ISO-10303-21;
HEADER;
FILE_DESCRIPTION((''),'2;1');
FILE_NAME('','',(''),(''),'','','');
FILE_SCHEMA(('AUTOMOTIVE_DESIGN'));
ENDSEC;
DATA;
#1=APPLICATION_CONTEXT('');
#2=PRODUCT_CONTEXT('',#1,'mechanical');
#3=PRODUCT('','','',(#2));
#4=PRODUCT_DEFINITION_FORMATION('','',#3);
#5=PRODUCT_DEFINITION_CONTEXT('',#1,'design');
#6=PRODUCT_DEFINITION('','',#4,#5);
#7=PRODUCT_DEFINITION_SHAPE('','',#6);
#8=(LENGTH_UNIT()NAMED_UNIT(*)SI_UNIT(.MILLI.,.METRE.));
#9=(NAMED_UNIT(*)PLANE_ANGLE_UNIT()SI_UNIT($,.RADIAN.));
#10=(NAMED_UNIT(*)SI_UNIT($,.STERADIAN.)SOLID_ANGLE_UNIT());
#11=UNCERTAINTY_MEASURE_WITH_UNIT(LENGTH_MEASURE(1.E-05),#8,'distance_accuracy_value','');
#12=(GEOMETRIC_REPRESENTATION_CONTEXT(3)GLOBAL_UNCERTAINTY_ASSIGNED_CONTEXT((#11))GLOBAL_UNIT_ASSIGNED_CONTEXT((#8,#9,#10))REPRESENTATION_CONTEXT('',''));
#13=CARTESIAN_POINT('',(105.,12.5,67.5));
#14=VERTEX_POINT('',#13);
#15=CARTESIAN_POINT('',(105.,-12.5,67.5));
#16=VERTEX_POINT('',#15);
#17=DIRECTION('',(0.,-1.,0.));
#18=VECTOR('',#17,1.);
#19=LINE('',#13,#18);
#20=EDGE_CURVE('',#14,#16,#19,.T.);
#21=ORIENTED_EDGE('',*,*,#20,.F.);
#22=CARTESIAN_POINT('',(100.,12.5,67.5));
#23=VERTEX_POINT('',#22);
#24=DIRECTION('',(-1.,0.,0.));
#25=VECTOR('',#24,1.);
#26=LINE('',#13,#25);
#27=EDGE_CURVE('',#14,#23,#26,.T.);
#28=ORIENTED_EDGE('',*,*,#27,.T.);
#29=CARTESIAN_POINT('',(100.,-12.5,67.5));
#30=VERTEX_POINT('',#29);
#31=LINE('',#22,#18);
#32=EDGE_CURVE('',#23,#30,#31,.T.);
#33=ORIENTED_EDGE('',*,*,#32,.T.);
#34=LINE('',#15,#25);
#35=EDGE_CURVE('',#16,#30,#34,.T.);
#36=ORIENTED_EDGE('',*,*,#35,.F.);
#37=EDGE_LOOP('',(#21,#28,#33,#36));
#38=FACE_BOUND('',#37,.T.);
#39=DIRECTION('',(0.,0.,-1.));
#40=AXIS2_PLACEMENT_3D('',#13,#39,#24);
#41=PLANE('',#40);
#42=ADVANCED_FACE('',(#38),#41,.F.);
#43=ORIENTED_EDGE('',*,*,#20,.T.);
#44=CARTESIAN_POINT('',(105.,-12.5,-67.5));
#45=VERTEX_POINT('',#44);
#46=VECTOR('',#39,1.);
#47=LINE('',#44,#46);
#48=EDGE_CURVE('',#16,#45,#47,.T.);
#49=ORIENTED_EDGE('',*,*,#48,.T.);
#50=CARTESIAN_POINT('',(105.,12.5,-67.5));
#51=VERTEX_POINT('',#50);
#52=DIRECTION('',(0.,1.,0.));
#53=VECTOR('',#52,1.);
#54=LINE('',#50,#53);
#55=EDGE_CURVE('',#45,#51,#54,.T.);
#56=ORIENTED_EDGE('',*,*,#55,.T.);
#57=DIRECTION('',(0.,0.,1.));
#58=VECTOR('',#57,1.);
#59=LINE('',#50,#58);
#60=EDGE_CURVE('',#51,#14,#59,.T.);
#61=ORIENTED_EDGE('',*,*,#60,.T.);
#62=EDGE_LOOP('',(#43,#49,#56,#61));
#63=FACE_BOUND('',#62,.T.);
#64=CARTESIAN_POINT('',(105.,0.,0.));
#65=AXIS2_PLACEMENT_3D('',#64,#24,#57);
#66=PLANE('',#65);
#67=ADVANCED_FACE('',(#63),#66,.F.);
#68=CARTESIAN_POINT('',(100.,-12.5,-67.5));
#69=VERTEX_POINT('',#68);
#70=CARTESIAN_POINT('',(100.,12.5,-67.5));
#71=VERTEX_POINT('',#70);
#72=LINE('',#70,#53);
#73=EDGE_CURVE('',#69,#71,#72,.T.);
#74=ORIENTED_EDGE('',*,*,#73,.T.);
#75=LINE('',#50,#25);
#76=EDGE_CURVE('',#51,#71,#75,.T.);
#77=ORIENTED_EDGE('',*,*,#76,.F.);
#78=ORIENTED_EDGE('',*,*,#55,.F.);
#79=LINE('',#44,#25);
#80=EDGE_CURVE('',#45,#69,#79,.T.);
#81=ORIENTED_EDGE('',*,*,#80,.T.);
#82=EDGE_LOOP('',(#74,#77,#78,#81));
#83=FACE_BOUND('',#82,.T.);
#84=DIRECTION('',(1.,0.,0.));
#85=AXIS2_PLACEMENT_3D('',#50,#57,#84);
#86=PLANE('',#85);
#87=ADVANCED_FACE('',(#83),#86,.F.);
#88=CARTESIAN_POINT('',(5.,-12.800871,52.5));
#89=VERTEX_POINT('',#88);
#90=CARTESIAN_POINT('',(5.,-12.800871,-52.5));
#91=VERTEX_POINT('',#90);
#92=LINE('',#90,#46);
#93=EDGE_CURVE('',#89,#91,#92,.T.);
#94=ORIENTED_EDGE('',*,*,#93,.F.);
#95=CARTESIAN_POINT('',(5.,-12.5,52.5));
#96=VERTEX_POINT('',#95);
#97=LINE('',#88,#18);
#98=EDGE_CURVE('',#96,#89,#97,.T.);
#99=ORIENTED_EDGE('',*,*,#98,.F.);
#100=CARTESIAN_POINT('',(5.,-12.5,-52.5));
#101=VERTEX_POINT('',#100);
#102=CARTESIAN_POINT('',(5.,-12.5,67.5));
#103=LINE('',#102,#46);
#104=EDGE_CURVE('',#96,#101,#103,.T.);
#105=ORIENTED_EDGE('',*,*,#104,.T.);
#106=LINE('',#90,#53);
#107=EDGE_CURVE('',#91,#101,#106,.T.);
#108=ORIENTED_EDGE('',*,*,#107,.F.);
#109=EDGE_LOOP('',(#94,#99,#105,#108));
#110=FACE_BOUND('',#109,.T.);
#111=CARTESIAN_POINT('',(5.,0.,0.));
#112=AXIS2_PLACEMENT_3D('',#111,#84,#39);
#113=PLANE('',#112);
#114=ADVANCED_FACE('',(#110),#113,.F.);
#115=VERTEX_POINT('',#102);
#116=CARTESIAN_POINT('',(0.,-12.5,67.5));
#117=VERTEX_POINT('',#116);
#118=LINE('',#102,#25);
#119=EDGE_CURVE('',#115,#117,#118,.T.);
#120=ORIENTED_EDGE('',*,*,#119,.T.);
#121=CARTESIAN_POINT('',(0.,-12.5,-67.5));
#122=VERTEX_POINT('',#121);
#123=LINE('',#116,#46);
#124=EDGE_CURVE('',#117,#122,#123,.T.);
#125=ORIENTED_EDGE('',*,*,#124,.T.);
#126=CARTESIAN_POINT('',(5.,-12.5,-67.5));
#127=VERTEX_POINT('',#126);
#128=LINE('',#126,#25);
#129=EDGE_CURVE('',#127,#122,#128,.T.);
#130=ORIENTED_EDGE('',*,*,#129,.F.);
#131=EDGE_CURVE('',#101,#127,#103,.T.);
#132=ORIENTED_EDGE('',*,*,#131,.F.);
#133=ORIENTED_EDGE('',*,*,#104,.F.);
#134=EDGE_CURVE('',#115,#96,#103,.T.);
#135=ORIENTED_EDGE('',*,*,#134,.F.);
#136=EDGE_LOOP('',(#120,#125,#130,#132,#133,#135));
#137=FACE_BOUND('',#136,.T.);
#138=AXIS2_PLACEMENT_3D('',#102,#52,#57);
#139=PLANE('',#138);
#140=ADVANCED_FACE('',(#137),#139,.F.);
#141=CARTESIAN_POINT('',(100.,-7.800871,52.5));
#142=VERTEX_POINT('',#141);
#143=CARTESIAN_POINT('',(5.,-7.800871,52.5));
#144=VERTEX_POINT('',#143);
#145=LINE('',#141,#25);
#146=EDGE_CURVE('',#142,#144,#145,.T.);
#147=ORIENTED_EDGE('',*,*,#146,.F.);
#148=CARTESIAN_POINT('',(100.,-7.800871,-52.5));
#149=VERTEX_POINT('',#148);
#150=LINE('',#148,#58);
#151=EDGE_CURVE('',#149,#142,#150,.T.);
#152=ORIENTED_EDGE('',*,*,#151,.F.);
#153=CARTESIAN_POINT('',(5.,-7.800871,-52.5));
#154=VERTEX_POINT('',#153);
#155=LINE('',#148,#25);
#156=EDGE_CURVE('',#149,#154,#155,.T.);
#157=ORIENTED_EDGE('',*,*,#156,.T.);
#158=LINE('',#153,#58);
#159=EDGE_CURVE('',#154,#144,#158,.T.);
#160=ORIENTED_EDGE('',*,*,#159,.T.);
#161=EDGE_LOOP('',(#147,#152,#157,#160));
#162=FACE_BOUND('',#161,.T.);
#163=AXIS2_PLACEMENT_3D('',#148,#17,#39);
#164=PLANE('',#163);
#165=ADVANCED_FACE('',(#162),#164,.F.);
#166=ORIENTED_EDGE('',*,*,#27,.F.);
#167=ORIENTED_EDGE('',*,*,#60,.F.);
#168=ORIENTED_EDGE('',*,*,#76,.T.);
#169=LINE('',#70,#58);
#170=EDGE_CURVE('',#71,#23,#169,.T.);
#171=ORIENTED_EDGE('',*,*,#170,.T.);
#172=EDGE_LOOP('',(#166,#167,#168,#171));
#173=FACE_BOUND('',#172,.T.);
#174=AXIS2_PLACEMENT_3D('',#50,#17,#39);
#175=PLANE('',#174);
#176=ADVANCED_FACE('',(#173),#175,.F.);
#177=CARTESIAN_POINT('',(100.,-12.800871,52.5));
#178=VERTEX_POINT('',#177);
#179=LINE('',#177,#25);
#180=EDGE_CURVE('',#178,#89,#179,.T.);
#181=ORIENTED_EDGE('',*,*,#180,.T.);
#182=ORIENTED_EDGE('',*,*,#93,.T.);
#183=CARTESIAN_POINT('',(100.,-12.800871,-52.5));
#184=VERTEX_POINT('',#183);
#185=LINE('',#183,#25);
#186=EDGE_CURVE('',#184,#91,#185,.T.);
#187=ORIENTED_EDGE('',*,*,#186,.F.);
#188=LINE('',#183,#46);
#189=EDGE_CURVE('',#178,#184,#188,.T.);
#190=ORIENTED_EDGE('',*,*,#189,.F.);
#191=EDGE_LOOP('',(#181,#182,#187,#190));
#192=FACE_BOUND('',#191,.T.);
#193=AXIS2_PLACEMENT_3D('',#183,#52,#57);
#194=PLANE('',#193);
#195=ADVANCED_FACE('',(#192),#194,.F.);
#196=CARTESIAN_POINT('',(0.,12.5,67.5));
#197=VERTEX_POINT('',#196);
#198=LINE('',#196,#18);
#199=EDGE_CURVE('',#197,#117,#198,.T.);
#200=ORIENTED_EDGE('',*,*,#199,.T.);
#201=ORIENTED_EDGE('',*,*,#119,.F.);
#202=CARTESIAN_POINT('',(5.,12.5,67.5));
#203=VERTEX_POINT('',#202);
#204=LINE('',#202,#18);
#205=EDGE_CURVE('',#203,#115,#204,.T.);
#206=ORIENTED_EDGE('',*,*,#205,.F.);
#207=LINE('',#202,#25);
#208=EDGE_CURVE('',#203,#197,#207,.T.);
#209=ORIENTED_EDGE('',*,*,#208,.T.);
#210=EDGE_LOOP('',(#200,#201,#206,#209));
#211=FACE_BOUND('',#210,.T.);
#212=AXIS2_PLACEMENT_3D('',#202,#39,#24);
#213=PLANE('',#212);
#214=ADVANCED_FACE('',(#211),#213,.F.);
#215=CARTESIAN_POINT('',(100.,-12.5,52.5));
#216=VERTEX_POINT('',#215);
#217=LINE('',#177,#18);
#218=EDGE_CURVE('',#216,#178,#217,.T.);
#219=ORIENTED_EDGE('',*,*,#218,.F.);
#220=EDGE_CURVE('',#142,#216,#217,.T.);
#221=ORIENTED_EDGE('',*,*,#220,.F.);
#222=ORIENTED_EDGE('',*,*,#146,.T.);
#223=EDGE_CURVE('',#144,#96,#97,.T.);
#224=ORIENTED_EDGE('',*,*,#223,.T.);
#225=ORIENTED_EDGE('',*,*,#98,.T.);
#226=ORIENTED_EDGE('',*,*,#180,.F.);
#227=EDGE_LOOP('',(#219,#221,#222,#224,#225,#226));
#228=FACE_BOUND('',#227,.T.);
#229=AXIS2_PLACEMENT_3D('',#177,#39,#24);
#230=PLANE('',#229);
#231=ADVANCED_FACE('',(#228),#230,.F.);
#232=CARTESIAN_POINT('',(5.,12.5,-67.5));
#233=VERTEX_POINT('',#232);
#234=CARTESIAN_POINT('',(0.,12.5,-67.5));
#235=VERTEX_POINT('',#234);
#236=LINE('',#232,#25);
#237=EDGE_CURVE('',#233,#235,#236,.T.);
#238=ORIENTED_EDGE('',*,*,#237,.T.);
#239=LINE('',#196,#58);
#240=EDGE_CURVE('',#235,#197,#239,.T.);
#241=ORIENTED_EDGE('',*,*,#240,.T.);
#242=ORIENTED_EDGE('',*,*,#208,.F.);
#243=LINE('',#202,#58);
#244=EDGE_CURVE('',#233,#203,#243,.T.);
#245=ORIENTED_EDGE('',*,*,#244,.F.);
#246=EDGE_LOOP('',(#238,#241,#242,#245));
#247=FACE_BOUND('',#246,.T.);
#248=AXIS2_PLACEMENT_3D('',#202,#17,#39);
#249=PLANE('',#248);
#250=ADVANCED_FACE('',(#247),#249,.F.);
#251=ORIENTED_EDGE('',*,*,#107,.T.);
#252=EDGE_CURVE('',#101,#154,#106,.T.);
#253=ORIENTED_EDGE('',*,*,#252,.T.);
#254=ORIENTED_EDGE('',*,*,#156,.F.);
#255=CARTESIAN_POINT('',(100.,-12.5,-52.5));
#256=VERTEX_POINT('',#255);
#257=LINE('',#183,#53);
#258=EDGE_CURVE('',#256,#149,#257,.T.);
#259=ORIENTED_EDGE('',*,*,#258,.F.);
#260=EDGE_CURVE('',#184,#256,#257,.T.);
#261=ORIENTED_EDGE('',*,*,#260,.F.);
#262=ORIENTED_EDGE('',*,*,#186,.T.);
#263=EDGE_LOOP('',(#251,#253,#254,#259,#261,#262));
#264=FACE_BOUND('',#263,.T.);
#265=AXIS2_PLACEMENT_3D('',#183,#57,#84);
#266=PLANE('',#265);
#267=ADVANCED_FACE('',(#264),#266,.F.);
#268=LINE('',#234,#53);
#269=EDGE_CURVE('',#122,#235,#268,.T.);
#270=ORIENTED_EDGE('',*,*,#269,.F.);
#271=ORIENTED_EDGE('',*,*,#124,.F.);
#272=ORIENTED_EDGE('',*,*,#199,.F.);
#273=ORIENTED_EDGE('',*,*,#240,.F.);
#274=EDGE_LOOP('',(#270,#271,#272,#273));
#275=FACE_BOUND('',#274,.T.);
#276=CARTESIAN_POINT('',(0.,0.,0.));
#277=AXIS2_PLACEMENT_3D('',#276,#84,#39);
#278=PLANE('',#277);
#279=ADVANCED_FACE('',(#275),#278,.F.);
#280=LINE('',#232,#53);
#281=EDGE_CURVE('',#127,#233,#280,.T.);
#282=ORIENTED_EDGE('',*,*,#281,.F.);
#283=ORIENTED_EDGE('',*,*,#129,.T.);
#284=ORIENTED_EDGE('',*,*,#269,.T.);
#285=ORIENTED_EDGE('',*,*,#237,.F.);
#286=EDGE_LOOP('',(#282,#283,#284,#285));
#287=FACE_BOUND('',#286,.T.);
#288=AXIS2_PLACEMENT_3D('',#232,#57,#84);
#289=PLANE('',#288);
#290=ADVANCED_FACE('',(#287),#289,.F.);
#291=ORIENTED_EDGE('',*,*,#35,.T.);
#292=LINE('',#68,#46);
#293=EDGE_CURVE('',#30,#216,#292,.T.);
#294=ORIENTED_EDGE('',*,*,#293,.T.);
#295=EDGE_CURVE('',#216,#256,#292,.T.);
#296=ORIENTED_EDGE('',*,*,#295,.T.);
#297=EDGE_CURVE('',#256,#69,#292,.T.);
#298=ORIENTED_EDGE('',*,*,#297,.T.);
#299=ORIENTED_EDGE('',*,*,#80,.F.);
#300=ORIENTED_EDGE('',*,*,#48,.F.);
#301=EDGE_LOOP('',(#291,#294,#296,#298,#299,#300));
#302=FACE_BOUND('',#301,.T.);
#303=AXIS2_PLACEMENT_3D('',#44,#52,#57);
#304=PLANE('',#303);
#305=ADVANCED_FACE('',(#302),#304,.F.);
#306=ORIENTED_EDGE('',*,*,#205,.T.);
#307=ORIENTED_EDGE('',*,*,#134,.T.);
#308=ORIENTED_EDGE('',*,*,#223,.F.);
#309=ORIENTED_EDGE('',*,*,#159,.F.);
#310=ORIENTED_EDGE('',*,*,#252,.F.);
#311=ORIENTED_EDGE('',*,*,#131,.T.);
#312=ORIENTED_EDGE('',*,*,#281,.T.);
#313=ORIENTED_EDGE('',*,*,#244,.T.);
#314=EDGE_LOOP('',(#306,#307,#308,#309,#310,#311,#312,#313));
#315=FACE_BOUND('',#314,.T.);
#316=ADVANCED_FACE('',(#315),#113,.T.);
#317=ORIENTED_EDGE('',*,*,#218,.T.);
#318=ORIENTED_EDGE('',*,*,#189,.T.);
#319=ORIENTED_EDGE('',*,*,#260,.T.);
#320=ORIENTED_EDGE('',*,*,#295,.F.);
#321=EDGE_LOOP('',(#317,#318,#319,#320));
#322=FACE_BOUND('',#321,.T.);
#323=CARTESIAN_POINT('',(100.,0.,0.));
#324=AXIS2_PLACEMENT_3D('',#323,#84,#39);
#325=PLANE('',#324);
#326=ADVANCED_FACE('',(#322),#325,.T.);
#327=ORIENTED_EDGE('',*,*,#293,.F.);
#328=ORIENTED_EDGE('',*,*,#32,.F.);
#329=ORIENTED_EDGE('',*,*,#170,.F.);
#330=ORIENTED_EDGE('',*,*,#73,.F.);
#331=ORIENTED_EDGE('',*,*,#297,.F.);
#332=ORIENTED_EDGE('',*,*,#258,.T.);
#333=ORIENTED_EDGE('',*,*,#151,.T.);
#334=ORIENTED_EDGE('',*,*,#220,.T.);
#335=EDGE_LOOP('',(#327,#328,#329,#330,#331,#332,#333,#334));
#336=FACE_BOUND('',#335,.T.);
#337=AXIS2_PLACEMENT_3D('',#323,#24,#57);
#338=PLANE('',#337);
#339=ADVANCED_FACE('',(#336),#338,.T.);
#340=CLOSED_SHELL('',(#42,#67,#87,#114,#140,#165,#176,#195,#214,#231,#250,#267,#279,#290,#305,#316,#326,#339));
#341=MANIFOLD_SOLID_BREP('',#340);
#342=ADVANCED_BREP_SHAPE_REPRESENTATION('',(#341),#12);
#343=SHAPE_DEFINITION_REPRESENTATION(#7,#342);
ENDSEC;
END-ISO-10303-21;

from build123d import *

# Parameters (mm, degrees)
SKETCH_1_W      = 135
SKETCH_1_H      = 25
EXTRUDE_1_DEPTH = 5
SKETCH_3_W      = 105
SKETCH_3_H      = 5
EXTRUDE_2_DEPTH = 95
SKETCH_4_W      = 135
SKETCH_4_H      = 25
EXTRUDE_3_DEPTH = 5


with BuildPart() as part:
    # 草图1 → 凸台-拉伸1 (new body)
    with BuildSketch(Plane(origin=(0, 0, 0), x_dir=(0, 0, -1), z_dir=(1, 0, 0))):
        Rectangle(SKETCH_1_W, SKETCH_1_H)
    extrude(amount=EXTRUDE_1_DEPTH)

    # 草图3 → 凸台-拉伸2 (add)
    with BuildSketch(Plane(origin=(5, 0, 0), x_dir=(0, 0, -1), z_dir=(1, 0, 0))):
        with Locations((0, -10.300870967)):
            Rectangle(SKETCH_3_W, SKETCH_3_H)
    extrude(amount=EXTRUDE_2_DEPTH)

    # 草图4 → 凸台-拉伸3 (add)
    with BuildSketch(Plane(origin=(100, 0, 0), x_dir=(0, 0, -1), z_dir=(1, 0, 0))):
        Rectangle(SKETCH_4_W, SKETCH_4_H)
    extrude(amount=EXTRUDE_3_DEPTH)


solid = part.part
